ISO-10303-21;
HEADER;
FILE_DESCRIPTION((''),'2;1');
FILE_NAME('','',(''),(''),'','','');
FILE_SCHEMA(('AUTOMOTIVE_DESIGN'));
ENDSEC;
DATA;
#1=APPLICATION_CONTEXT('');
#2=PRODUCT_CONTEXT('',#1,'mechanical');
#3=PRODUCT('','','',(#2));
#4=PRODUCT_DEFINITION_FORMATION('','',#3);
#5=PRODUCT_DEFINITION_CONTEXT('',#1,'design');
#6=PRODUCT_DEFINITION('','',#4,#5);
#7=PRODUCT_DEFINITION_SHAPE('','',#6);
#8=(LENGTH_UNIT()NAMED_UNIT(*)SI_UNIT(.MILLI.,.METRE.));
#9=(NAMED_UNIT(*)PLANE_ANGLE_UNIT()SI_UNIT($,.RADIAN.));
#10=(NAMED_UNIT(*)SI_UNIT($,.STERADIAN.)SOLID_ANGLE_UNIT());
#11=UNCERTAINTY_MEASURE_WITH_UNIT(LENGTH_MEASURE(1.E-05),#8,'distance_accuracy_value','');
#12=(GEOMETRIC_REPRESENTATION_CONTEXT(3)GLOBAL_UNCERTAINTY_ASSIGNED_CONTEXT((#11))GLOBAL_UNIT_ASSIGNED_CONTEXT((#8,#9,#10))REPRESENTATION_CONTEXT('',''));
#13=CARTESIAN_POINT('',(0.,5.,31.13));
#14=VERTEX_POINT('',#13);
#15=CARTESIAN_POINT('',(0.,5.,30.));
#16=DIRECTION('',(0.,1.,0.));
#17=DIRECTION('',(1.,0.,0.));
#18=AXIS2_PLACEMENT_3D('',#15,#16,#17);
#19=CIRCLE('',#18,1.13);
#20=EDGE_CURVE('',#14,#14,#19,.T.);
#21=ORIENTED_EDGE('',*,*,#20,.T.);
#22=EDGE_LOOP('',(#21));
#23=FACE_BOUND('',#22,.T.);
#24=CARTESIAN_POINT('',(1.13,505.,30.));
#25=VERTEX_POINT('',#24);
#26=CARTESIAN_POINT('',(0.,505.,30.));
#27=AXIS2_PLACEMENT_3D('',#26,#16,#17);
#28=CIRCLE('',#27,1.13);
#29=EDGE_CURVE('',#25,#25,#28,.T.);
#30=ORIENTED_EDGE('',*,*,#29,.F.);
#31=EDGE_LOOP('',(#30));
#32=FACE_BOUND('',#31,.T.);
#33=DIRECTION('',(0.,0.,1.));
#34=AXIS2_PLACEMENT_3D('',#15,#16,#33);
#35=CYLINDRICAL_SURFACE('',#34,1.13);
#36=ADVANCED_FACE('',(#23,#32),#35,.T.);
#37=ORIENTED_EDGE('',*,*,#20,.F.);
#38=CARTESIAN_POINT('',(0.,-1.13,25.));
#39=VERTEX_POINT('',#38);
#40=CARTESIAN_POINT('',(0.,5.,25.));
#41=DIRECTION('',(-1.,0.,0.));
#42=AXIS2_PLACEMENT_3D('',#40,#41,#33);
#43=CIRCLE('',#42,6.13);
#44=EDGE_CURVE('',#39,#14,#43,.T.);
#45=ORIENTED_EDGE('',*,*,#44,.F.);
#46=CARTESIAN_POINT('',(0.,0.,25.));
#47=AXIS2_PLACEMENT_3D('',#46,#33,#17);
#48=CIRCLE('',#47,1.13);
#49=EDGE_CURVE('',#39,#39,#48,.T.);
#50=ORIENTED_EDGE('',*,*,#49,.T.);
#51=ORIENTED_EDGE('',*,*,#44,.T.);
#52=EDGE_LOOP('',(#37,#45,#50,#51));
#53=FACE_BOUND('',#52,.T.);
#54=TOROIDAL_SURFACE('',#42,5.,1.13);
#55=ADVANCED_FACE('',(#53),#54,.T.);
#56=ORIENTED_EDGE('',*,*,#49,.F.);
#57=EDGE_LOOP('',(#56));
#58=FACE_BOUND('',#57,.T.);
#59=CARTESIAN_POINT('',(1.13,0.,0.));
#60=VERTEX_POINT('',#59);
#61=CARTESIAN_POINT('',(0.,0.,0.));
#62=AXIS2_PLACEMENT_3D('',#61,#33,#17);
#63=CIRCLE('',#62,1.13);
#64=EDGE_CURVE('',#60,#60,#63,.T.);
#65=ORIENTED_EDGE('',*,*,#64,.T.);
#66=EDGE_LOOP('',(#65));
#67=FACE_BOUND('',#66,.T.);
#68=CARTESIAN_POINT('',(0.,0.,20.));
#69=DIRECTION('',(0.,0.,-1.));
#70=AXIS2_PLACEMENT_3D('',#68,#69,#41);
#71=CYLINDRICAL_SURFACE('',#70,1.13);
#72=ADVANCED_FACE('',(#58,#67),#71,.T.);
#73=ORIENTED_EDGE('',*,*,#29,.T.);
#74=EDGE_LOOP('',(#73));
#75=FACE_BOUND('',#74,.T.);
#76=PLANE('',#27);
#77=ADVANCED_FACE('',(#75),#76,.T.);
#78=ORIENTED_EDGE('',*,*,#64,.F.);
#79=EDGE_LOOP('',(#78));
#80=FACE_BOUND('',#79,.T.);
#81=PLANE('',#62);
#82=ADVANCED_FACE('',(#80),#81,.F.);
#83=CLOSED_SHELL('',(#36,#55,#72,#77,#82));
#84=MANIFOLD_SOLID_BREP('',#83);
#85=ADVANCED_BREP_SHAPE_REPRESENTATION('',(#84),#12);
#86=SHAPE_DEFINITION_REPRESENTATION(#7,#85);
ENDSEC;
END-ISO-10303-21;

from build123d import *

# Parameters (mm, degrees)
SKETCH_1_R      = 1.13
EXTRUDE_1_DEPTH = 20
SKETCH_2_R      = 1.13


with BuildPart() as part:
    # ｽｹｯﾁ1 → ﾎﾞｽ - 押し出し1 (new body)
    with BuildSketch(Plane.XY):
        Circle(SKETCH_1_R)
    extrude(amount=EXTRUDE_1_DEPTH)

    # ｽｲｰﾌﾟ1: sweep along a path in ｽｹｯﾁ3
    with BuildLine(Plane(origin=(0, 0, 0), x_dir=(0, 0, -1), z_dir=(1, 0, 0))) as sweep_1_path:
        Line((-20, 0), (-25, 0))
        ThreePointArc((-25, 0), (-28.535533906, 1.464466094), (-30, 5))
        Line((-30, 5), (-30, 505))
    # ｽｹｯﾁ2 → ｽｲｰﾌﾟ1 (sweep)
    with BuildSketch(Plane.XY.offset(20)):
        Circle(SKETCH_2_R)
    sweep(path=sweep_1_path.line)


solid = part.part
